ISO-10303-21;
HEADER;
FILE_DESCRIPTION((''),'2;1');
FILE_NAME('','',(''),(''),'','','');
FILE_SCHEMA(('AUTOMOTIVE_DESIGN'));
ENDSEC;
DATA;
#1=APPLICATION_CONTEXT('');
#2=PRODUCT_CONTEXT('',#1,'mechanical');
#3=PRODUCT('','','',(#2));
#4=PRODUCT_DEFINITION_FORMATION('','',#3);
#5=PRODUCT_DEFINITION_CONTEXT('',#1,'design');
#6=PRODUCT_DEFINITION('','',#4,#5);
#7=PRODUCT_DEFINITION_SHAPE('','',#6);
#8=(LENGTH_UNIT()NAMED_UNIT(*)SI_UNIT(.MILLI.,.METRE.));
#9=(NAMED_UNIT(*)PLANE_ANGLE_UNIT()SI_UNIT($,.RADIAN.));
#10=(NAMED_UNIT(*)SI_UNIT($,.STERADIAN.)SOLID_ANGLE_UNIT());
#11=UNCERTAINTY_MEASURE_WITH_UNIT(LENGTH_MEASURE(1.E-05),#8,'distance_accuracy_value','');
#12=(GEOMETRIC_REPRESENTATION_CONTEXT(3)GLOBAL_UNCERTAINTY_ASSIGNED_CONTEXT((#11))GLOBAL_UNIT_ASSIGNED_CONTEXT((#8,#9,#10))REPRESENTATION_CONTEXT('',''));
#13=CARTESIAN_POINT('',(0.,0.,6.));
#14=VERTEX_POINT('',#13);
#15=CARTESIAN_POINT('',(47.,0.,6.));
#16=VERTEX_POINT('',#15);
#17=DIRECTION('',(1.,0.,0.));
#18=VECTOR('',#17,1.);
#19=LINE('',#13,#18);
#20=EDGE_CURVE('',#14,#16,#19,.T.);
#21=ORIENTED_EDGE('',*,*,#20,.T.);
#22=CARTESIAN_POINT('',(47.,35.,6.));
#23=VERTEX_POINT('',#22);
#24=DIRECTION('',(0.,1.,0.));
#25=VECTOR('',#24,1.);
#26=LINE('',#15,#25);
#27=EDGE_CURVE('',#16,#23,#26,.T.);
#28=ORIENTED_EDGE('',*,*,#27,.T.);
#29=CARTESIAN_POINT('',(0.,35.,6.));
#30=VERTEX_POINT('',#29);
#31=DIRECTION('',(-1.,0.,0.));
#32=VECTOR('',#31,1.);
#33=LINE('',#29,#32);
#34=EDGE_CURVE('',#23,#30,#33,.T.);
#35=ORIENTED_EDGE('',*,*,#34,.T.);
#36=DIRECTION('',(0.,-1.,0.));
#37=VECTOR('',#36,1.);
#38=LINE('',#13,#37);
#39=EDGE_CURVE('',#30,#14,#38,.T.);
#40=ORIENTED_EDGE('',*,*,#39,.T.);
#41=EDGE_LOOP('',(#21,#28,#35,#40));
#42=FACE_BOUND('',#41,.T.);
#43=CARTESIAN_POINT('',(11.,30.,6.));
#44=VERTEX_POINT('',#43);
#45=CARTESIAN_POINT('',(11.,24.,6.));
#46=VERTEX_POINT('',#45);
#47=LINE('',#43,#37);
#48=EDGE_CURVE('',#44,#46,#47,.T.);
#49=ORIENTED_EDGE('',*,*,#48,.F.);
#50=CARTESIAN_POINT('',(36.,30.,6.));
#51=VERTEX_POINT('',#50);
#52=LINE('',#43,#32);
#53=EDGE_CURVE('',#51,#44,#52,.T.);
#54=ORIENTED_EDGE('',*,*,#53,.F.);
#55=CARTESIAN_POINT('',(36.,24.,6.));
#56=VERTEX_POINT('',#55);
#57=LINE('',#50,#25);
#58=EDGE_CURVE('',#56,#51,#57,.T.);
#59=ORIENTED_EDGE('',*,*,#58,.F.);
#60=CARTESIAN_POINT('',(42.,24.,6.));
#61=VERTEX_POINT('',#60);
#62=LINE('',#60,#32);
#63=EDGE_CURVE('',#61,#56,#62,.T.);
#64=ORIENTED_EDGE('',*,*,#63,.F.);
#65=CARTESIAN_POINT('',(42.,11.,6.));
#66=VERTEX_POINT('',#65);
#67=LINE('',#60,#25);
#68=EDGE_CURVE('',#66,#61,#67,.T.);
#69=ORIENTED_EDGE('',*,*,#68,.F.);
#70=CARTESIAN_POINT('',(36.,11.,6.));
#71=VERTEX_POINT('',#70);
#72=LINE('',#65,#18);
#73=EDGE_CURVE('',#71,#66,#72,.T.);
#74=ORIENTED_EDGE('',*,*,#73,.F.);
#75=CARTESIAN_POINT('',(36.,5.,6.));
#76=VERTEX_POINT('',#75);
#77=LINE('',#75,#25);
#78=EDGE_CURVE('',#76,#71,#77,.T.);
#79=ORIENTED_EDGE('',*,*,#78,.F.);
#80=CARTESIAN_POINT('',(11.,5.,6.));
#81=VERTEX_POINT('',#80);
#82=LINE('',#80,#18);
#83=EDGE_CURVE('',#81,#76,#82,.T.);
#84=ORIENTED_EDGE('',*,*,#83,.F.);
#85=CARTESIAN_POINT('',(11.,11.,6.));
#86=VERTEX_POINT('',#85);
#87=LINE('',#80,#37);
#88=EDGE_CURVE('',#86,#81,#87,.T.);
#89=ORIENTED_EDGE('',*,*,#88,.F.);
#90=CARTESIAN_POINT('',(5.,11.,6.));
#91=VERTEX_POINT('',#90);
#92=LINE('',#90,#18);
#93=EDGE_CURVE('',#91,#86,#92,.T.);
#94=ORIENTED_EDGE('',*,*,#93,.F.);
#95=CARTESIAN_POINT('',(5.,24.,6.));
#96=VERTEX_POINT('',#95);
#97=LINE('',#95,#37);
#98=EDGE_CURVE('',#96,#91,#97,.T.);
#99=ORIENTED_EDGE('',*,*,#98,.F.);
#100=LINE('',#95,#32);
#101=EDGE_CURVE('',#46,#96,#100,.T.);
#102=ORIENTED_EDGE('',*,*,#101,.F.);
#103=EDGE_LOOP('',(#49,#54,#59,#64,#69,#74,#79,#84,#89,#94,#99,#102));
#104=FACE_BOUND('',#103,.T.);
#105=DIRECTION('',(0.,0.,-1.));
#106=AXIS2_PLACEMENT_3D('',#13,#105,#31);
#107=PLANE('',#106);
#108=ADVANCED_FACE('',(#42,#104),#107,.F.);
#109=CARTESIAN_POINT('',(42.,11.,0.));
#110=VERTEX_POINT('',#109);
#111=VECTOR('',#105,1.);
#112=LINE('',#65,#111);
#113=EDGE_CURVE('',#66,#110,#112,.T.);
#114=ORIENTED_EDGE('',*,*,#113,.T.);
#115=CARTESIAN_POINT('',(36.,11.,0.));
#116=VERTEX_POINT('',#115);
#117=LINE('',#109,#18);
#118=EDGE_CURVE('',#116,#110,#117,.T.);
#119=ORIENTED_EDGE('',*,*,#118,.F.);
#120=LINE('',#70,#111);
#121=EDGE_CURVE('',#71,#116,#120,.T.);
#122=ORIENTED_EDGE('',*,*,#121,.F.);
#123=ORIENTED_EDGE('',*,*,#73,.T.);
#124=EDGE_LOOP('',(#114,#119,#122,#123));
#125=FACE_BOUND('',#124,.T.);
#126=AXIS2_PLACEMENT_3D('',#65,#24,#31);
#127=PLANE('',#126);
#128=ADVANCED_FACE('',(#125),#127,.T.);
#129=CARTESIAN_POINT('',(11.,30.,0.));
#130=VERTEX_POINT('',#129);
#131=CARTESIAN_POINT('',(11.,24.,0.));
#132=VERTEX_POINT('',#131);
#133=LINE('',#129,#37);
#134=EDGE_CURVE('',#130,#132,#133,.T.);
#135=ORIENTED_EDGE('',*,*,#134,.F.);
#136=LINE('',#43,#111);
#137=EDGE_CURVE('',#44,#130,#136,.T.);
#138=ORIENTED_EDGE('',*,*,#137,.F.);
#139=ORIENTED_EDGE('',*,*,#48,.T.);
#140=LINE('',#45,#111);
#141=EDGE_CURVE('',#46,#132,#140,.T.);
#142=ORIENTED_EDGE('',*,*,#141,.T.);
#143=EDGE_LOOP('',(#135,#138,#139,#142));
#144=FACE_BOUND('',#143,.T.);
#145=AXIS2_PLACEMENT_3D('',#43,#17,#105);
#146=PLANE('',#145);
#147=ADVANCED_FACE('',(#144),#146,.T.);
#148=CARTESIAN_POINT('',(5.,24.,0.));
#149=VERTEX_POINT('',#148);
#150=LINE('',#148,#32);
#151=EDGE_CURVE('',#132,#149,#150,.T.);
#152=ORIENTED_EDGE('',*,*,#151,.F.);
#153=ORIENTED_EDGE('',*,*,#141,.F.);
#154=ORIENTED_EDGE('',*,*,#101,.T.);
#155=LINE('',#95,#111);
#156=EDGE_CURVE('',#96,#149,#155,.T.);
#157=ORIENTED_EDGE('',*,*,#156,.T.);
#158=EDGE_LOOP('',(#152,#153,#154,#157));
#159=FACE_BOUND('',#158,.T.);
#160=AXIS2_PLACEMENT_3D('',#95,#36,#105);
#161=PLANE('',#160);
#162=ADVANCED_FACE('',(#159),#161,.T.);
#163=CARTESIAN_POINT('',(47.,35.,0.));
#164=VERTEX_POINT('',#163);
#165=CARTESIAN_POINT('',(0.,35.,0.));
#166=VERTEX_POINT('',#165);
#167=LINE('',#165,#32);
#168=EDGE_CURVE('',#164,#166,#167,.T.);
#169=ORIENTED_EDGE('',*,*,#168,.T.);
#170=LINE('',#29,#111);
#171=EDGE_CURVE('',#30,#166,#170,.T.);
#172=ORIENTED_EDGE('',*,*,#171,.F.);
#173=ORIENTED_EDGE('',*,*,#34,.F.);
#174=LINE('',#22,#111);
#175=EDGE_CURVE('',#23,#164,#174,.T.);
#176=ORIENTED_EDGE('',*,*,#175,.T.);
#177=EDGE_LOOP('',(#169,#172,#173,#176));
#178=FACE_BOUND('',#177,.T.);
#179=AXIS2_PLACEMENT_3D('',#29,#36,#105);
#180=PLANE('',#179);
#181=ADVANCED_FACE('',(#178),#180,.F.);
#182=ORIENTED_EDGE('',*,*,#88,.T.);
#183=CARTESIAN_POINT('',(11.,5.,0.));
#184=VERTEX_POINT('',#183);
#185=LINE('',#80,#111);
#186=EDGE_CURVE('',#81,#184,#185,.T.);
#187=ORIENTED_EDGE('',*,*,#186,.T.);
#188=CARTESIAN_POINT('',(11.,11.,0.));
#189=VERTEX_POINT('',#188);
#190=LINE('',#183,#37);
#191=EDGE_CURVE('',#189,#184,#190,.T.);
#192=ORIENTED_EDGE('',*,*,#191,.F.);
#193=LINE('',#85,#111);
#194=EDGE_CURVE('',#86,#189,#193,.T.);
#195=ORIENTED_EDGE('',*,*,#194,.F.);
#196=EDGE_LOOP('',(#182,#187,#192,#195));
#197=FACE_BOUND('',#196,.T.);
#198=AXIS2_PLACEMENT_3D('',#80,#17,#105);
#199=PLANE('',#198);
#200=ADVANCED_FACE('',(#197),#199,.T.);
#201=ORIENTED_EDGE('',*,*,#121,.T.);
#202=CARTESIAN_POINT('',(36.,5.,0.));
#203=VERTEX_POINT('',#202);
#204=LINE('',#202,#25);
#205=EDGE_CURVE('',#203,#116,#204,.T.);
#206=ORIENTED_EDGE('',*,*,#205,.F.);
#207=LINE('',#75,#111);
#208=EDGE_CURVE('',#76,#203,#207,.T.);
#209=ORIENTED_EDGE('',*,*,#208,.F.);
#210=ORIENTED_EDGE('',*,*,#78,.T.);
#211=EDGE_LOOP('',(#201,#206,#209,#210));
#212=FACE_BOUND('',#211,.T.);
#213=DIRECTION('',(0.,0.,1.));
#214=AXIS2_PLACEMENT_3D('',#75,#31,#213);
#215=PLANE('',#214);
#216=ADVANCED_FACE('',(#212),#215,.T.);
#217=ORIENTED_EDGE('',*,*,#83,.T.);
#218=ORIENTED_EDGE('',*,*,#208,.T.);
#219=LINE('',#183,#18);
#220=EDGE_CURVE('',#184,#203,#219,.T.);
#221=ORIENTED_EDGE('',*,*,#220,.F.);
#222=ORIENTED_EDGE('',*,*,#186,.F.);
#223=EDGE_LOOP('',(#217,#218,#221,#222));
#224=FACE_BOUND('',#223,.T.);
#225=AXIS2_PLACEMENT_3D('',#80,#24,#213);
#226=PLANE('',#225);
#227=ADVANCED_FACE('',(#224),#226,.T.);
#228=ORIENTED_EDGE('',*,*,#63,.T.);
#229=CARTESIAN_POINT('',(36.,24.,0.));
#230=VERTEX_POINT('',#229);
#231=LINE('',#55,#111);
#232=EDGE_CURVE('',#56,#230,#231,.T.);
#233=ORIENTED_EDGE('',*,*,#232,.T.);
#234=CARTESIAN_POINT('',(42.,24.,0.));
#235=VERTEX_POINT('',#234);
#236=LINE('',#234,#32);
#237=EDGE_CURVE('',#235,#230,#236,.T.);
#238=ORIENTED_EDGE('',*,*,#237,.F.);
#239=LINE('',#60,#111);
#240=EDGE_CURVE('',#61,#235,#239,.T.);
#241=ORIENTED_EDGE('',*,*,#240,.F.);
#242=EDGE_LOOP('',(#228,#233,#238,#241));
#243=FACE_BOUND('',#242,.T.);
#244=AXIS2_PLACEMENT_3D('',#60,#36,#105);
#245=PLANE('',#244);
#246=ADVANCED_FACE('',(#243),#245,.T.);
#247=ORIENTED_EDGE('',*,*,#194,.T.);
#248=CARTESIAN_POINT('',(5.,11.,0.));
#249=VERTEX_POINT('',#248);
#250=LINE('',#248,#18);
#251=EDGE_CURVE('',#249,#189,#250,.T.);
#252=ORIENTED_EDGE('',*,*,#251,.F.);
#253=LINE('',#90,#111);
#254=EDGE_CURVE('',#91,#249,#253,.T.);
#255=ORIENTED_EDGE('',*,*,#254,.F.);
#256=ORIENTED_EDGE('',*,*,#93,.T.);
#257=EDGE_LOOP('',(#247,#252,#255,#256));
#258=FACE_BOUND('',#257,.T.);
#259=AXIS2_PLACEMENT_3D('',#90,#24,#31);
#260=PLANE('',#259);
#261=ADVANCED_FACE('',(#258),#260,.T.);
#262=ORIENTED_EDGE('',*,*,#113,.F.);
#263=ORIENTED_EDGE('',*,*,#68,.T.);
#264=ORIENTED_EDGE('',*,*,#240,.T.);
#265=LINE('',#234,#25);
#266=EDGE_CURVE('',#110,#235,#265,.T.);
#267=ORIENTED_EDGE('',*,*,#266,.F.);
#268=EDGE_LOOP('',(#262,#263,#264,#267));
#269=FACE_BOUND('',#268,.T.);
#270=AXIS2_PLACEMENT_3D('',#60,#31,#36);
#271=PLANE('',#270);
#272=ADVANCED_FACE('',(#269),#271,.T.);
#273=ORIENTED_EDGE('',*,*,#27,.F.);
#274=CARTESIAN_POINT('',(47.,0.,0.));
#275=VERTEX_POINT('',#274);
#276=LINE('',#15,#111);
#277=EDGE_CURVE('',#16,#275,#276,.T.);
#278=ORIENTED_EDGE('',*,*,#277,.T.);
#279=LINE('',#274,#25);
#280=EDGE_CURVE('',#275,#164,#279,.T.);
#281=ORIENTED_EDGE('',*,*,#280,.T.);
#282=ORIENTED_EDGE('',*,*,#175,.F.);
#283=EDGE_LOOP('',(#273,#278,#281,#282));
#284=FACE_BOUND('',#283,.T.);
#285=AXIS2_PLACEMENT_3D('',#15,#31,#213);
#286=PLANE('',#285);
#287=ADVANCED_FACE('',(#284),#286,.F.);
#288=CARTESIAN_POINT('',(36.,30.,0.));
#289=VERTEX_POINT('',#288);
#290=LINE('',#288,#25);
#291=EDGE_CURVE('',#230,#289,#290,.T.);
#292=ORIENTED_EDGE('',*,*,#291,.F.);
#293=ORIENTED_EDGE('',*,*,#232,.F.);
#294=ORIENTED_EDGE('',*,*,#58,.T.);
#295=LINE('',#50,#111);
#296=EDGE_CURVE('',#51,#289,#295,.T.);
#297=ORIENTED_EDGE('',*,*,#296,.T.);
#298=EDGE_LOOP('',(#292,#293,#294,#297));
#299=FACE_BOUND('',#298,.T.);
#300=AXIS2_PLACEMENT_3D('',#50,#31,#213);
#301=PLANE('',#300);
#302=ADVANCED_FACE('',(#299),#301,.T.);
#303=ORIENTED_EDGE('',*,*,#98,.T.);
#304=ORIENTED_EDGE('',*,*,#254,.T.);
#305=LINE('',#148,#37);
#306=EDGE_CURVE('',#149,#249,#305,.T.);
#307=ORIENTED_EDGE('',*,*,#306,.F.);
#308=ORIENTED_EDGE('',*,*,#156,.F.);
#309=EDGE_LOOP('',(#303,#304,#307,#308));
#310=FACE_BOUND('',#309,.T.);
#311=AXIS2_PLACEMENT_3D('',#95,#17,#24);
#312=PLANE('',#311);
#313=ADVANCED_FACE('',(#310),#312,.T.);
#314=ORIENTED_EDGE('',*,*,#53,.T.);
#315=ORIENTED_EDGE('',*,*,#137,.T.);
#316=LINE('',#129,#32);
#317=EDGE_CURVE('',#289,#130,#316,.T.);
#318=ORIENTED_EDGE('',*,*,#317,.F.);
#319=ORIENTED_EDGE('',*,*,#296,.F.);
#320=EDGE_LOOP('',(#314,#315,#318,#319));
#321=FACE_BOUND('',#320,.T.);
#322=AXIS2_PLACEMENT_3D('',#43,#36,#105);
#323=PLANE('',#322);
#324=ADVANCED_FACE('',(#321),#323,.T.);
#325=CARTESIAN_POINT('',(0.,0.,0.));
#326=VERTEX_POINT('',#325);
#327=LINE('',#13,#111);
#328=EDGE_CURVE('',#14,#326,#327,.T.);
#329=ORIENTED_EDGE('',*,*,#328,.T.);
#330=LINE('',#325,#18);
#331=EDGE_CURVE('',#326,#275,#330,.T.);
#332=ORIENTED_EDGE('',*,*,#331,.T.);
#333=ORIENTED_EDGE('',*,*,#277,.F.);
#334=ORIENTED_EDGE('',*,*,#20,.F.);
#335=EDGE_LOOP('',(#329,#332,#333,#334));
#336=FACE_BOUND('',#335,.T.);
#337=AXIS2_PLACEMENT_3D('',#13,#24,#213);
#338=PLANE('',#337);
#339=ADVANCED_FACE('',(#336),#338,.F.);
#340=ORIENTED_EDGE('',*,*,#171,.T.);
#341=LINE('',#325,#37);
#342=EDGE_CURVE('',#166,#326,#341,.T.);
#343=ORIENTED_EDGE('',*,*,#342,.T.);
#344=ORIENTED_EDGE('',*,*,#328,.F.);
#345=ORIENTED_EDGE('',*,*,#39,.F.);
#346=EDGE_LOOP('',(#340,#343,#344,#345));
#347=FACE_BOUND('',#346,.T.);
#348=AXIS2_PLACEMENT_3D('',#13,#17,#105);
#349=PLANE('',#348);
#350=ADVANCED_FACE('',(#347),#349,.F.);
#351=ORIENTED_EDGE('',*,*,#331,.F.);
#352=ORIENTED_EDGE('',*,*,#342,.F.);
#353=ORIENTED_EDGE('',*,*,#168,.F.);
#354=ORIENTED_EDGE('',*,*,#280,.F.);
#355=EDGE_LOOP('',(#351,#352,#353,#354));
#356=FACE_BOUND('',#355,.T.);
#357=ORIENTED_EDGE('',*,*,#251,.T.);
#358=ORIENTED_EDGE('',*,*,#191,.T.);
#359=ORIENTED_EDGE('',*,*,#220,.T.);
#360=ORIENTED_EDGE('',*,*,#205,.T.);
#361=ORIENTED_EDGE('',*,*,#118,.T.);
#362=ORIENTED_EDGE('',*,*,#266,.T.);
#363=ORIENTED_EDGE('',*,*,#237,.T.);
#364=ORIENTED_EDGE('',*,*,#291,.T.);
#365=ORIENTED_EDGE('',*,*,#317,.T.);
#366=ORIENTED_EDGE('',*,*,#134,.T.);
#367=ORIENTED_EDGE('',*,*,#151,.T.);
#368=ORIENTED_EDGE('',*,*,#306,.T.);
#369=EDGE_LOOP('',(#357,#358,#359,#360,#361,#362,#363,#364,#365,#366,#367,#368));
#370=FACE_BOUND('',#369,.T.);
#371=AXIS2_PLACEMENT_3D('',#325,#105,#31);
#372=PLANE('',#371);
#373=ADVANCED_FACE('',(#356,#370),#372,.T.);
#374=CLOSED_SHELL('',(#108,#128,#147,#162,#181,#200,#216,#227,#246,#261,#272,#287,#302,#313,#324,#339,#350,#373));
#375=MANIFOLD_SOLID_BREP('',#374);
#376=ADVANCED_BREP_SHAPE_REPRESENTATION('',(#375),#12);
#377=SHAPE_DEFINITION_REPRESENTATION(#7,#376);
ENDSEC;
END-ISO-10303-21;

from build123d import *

# Parameters (mm, degrees)
ESBO_O1_W                = 47
ESBO_O1_H                = 35
RESSALTO_EXTRUS_O1_DEPTH = 6


with BuildPart() as part:
    # Esboço1 → Ressalto-extrusão1 (new body)
    with BuildSketch(Plane.XY):
        with Locations((23.5, 17.5)):
            Rectangle(ESBO_O1_W, ESBO_O1_H)
        Polygon((11, 30), (36, 30), (36, 24), (42, 24), (42, 11), (36, 11), (36, 5), (11, 5), (11, 11), (5, 11), (5, 24), (11, 24), align=None, mode=Mode.SUBTRACT)
    extrude(amount=RESSALTO_EXTRUS_O1_DEPTH)


solid = part.part
